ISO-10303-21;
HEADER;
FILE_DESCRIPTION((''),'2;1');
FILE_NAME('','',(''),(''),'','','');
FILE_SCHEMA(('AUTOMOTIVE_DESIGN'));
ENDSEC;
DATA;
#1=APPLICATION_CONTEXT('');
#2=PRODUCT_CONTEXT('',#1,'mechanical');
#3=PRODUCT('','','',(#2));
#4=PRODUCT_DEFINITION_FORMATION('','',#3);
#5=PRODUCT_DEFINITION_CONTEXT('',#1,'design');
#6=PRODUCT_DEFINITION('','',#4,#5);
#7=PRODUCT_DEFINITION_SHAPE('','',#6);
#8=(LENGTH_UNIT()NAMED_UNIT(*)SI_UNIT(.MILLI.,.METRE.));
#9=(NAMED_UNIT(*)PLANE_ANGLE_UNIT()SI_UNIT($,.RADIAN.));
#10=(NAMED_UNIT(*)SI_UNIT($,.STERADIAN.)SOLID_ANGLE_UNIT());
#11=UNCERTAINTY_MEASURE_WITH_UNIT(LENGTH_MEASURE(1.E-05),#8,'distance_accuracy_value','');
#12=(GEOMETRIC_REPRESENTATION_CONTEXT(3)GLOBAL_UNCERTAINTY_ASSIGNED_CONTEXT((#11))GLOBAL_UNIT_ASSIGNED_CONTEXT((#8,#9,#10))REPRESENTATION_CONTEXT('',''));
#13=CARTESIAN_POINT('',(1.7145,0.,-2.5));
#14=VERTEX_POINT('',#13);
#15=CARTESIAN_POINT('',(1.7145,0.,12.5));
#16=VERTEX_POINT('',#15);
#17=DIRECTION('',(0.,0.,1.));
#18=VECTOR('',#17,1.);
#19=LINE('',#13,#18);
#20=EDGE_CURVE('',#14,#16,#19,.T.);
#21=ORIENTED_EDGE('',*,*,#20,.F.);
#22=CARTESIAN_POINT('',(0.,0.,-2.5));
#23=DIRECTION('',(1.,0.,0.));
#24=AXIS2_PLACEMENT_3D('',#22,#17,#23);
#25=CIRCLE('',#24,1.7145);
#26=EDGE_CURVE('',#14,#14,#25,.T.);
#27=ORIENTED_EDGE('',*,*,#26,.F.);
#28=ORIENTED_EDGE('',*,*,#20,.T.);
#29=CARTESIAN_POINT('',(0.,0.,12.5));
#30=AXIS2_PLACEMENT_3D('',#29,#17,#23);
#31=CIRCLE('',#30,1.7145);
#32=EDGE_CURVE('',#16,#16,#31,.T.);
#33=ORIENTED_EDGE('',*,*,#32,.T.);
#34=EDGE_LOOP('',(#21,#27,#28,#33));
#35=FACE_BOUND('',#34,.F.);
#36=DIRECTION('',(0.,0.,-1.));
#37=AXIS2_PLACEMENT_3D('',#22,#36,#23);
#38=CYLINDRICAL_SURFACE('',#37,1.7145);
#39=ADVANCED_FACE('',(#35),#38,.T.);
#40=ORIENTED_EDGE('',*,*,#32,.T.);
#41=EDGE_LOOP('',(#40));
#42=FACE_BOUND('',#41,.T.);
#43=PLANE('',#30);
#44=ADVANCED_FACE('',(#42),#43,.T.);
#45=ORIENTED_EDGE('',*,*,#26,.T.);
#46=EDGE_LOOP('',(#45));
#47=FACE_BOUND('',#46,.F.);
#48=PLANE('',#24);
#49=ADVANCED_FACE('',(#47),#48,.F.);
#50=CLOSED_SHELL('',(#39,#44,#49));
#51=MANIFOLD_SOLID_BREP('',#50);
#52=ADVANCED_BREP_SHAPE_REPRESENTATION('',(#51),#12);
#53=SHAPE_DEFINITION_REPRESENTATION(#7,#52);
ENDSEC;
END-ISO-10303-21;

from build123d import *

# Parameters (mm, degrees)
CYLINDER_R     = 1.7145
CYLINDER_DEPTH = 15


with BuildPart() as part:
    # Cylinder → Cylinder (new body)
    with BuildSketch(Plane.XY.offset(-2.5)):
        Circle(CYLINDER_R)
    extrude(amount=CYLINDER_DEPTH)


solid = part.part
